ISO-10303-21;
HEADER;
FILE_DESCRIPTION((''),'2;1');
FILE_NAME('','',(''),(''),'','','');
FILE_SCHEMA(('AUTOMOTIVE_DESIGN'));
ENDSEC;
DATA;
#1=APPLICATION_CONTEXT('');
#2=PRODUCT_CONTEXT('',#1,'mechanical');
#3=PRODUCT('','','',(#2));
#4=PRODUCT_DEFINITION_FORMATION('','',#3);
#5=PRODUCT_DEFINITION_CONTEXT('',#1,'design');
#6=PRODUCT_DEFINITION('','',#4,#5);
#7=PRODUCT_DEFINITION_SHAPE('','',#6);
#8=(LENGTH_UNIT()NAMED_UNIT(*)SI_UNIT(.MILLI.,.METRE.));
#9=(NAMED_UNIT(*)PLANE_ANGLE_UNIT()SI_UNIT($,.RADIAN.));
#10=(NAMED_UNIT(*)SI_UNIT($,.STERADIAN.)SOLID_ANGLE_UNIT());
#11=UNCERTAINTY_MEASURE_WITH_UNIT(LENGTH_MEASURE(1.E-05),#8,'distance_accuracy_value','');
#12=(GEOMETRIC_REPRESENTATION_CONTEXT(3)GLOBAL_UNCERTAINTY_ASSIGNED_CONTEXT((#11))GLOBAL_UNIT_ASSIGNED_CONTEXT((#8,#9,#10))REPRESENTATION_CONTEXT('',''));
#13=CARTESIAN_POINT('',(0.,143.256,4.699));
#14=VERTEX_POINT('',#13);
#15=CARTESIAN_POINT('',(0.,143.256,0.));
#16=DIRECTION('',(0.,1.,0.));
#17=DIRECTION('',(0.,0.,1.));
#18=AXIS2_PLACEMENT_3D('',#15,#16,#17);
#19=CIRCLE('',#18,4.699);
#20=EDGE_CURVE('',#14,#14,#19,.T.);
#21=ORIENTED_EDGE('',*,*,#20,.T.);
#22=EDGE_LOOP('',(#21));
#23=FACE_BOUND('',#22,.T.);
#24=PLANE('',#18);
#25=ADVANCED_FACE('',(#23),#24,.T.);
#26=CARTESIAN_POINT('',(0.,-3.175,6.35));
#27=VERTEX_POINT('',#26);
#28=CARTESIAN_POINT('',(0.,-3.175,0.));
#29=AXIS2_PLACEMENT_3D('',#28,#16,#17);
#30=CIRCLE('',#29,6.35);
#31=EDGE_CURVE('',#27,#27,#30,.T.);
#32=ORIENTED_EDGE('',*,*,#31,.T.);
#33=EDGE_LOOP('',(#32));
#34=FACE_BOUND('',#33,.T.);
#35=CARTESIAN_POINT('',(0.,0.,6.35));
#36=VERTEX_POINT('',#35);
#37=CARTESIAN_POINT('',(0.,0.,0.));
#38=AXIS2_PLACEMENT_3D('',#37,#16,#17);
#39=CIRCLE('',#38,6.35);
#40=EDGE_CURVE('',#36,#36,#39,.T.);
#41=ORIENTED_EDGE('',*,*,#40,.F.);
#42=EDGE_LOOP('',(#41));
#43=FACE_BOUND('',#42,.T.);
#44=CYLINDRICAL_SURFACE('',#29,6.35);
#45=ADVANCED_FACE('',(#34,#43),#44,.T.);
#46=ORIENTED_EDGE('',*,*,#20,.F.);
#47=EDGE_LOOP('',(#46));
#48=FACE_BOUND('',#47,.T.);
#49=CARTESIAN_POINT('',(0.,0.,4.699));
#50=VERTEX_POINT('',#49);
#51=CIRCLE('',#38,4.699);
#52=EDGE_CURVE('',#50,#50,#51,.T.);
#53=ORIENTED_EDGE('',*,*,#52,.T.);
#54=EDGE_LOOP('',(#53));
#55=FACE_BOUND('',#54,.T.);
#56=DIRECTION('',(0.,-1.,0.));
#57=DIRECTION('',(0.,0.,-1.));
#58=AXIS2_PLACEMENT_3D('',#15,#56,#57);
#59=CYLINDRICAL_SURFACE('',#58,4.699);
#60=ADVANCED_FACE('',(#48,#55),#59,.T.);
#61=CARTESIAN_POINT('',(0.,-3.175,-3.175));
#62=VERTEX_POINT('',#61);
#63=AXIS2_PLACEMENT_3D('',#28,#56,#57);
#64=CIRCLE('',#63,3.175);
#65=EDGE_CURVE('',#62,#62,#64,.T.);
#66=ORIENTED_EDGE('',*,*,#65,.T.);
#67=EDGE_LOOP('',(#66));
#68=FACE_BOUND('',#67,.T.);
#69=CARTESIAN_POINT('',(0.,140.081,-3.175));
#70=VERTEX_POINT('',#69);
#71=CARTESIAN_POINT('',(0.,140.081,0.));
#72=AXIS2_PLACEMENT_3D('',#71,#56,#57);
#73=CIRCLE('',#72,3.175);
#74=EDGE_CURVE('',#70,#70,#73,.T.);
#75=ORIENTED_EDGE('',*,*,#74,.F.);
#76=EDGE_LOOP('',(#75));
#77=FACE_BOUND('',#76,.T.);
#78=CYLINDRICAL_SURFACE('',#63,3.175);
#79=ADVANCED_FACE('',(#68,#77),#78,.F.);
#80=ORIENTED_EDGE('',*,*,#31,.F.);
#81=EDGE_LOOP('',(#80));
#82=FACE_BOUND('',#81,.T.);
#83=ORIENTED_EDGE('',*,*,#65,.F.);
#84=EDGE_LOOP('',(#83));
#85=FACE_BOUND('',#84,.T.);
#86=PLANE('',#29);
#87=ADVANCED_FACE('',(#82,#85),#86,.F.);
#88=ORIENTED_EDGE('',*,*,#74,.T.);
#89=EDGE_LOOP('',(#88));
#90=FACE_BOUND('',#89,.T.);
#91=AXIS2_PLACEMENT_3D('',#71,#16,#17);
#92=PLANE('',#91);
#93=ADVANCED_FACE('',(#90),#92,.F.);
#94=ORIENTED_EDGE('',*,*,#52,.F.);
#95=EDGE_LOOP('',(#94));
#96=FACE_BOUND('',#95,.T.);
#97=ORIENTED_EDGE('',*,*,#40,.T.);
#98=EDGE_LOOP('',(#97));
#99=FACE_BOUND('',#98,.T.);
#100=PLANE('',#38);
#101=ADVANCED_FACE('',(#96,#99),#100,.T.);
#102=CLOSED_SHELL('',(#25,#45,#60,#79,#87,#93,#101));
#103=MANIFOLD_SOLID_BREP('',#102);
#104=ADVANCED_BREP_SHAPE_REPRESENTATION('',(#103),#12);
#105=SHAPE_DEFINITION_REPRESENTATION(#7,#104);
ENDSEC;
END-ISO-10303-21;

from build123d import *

# Parameters (mm, degrees)
SKETCH1_R                        = 6.35
BOSS_EXTRUDE1_DEPTH              = 3.175
SKETCH2_R                        = 4.699
BOSS_EXTRUDE2_DEPTH              = 143.256
F_97_0_0059_DIAMETER_HOLE1_D     = 6.35
F_97_0_0059_DIAMETER_HOLE1_DEPTH = 143.256


with BuildPart() as part:
    # Sketch1 → Boss-Extrude1 (new body)
    with BuildSketch(Plane(origin=(0, 0, 0), x_dir=(1, 0, 0), z_dir=(0, 1, 0))):
        with Locations(Location((0, 0, 0), (0, 0, 270))):
            Circle(SKETCH1_R)
    extrude(amount=-BOSS_EXTRUDE1_DEPTH)

    # Sketch2 → Boss-Extrude2 (add)
    with BuildSketch(Plane(origin=(0, 0, 0), x_dir=(1, 0, 0), z_dir=(0, 1, 0))):
        with Locations(Location((0, 0, 0), (0, 0, 270))):
            Circle(SKETCH2_R)
    extrude(amount=BOSS_EXTRUDE2_DEPTH)

    # #97 (0.0059) Diameter Hole1
    with Locations(Plane(origin=(0, -3.175, 0), x_dir=(0, 0, -1), z_dir=(0, -1, 0))):
        with Locations((0, 0)):
            Hole(F_97_0_0059_DIAMETER_HOLE1_D / 2, depth=F_97_0_0059_DIAMETER_HOLE1_DEPTH)


solid = part.part
